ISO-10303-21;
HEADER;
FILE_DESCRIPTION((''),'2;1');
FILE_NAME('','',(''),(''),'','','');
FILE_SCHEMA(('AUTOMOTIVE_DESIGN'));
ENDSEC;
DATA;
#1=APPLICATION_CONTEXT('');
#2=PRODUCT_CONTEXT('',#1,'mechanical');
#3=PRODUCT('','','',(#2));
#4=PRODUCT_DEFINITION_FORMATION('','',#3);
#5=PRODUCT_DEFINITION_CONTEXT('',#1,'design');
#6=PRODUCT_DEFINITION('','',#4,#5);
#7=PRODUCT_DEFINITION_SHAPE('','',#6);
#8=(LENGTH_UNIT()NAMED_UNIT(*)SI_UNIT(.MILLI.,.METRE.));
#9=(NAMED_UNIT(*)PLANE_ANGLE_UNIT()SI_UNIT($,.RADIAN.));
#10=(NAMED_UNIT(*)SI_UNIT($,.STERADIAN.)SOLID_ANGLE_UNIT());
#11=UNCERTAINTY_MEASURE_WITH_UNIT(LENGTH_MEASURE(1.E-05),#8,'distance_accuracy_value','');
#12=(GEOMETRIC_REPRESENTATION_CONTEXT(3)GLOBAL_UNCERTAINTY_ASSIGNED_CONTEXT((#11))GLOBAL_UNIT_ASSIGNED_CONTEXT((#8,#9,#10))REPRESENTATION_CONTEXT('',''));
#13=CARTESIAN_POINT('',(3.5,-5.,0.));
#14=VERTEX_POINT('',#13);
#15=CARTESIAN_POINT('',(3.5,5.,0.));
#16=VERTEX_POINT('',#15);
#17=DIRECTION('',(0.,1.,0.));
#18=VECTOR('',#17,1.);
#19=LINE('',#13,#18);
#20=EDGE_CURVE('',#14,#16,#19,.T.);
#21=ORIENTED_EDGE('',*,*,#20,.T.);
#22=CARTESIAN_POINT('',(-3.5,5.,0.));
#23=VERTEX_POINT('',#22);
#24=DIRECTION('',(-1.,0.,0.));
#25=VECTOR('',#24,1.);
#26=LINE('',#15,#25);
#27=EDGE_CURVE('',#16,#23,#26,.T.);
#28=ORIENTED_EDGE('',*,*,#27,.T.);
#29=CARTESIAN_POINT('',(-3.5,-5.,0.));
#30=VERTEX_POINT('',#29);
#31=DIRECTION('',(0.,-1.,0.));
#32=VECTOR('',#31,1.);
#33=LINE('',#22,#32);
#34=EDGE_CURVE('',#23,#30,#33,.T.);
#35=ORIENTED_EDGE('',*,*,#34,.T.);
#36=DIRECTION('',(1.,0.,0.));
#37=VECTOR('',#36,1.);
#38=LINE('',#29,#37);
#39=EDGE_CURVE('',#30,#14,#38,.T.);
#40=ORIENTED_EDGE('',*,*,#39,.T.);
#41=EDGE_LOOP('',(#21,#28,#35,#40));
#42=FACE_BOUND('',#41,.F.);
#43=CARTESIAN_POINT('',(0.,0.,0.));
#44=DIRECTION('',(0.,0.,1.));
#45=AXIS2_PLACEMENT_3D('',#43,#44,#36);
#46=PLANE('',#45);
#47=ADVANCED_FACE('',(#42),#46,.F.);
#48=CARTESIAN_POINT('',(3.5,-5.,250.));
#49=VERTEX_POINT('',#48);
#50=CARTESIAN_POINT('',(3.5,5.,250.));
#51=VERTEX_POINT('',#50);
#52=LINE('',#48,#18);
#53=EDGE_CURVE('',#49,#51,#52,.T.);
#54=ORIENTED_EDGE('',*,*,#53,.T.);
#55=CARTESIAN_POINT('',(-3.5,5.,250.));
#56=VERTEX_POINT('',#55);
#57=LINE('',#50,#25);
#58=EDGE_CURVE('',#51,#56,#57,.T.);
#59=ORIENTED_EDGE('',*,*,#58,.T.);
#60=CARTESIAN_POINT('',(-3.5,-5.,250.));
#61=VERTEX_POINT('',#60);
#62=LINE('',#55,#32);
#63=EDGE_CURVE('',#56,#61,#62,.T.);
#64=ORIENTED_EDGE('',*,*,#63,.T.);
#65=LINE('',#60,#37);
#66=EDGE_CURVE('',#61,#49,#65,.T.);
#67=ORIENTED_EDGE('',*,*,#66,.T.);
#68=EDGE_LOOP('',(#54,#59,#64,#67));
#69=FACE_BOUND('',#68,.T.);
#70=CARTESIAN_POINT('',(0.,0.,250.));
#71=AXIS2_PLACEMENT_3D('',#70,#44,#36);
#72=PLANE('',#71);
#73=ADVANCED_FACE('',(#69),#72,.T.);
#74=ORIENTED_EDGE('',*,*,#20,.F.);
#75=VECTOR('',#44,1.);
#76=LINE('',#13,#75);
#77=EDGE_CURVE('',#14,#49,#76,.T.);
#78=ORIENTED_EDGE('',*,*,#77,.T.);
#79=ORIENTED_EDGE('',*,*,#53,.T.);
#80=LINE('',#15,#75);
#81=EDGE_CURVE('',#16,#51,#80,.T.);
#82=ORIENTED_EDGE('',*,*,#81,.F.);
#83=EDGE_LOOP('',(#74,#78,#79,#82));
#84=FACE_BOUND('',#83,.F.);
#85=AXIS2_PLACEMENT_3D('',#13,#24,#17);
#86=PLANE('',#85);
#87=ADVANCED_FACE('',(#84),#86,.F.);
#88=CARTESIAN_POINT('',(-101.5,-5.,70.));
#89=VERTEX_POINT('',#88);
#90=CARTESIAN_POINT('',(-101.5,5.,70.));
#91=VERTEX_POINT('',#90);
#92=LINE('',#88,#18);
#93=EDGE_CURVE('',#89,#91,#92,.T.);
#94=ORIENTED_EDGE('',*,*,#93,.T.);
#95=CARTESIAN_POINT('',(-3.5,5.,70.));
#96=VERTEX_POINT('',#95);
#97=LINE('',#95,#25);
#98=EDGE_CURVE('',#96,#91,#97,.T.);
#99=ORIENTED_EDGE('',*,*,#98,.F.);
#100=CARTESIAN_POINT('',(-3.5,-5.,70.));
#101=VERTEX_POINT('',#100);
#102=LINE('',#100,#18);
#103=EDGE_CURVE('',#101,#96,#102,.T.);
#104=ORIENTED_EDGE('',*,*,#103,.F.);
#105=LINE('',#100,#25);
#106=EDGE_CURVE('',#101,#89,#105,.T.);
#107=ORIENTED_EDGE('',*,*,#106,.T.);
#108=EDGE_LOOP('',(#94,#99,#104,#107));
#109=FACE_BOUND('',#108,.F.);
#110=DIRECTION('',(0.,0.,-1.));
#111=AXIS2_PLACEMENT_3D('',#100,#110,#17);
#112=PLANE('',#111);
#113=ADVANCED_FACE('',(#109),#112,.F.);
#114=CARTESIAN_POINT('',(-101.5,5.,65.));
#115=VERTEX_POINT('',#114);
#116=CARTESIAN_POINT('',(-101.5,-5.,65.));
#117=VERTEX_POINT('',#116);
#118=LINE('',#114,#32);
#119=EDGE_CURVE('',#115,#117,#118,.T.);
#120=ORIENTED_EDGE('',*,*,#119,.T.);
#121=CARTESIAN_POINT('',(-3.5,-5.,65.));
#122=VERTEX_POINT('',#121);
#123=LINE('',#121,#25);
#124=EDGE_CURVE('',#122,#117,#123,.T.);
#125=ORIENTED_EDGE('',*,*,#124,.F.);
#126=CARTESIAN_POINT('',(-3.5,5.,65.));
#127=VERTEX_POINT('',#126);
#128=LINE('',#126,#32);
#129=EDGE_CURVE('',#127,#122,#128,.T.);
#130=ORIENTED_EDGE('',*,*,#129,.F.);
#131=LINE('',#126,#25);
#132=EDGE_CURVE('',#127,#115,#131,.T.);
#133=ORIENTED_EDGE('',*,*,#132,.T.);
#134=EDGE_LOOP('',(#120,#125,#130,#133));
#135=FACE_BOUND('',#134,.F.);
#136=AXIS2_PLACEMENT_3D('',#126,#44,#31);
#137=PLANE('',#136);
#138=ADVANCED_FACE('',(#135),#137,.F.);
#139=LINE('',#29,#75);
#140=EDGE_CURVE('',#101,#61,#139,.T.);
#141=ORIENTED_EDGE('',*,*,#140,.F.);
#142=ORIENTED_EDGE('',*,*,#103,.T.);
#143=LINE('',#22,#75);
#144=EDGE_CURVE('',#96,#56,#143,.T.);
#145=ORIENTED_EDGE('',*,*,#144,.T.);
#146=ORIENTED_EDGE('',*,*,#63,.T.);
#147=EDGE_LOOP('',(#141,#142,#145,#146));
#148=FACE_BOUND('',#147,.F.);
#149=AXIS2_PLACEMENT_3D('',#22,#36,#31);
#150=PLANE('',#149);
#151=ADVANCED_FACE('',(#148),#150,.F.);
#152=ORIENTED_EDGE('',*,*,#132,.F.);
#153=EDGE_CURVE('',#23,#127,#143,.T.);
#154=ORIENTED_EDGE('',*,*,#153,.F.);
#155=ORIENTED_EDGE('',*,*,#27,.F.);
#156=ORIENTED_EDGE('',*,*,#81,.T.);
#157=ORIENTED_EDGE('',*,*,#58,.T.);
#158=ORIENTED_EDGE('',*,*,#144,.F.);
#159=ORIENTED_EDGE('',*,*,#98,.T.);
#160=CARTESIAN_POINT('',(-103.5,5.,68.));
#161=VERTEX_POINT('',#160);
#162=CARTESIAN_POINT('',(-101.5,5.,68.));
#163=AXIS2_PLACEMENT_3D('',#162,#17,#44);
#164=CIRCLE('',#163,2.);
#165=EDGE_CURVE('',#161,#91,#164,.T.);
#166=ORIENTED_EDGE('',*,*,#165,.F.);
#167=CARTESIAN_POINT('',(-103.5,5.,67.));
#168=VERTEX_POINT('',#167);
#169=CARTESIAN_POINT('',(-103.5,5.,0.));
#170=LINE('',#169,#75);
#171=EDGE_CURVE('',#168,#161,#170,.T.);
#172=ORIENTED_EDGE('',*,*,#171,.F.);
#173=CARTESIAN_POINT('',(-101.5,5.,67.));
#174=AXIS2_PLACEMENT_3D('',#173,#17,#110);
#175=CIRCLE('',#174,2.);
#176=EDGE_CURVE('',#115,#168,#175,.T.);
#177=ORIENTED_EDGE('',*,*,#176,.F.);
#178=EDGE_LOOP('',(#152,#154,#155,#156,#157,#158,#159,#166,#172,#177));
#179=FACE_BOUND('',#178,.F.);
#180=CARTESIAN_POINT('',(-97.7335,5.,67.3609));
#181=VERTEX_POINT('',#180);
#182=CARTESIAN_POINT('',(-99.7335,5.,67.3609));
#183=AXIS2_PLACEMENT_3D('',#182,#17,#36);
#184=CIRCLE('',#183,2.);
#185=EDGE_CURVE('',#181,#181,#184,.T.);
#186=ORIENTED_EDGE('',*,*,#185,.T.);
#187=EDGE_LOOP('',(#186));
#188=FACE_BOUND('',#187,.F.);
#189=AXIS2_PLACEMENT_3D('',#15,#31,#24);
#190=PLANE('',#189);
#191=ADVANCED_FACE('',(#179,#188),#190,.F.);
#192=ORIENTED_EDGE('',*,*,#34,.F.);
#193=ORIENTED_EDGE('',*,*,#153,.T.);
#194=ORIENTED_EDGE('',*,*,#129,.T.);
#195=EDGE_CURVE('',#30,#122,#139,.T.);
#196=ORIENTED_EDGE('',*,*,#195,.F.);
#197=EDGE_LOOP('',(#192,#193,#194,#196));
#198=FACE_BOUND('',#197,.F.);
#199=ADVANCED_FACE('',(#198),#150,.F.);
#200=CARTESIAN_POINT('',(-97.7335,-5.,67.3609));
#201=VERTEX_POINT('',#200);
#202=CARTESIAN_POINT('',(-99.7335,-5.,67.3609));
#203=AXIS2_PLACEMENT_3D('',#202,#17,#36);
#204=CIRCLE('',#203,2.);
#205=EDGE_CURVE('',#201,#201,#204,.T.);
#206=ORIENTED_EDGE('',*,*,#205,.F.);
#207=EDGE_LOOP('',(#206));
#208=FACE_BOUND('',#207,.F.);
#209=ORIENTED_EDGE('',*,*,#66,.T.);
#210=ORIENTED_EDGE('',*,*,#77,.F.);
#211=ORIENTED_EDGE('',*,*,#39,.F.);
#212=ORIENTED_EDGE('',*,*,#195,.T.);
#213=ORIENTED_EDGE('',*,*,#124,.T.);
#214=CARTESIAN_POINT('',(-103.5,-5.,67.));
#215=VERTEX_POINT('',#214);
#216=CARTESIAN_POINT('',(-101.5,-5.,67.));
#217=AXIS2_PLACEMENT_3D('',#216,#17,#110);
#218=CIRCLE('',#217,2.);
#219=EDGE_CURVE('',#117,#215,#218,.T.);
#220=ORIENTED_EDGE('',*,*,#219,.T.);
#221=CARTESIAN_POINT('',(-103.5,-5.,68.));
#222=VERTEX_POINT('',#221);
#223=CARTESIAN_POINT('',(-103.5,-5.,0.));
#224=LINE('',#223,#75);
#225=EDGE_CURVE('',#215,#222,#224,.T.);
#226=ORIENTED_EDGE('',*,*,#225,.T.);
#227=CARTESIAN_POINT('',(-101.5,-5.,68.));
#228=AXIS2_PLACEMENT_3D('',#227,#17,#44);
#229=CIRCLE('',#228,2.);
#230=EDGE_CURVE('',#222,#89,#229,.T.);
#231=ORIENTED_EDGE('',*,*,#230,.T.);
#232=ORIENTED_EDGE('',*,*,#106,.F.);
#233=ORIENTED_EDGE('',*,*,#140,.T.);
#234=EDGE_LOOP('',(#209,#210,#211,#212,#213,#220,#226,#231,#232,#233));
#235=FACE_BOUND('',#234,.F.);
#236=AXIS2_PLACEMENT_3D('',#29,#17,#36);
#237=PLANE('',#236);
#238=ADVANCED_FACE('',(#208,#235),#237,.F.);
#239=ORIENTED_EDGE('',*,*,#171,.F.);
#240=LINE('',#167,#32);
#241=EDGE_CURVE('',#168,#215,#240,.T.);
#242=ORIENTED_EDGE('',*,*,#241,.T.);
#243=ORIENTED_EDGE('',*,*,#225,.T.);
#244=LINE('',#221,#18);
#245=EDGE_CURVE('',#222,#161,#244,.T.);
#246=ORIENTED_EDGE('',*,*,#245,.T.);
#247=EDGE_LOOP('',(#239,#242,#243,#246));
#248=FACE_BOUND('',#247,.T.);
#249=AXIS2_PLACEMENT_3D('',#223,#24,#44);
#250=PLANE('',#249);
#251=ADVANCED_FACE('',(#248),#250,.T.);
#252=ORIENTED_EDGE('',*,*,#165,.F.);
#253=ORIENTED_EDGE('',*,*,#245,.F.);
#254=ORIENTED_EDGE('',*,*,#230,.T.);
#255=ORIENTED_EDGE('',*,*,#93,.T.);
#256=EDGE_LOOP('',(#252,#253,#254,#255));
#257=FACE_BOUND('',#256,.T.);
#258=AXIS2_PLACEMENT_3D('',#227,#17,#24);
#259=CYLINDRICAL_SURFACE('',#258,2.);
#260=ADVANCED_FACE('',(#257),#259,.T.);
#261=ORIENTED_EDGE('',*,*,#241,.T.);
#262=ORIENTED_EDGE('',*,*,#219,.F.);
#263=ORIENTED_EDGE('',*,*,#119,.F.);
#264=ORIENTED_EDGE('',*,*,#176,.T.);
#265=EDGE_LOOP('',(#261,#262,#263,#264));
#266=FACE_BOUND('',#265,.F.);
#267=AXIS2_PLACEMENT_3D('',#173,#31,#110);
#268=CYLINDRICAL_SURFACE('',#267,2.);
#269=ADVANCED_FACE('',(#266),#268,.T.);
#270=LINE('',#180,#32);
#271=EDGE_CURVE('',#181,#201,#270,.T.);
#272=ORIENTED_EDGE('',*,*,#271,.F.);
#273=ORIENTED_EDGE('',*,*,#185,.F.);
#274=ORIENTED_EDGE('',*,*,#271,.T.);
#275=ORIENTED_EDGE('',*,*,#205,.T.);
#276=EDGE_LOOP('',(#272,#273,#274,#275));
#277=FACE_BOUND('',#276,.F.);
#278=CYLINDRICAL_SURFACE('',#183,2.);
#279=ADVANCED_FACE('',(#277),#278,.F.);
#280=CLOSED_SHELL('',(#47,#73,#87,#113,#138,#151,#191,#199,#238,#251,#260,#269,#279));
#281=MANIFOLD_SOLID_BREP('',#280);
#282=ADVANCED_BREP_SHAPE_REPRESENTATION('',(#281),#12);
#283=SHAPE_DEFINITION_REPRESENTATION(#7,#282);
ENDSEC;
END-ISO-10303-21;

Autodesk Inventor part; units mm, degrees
ref_plane "YZ Plane" through (0, 0, 0) normal (1, 0, 0) x (0, 1, 0)
ref_plane "XZ Plane" through (0, 0, 0) normal (0, 1, 0) x (-1, 0, 0)
ref_plane "XY Plane" through (0, 0, 0) normal (0, 0, 1) x (1, 0, 0)
sketch "Sketch1" plane through (0, 0, 0) normal (0, 0, 1) x (1, 0, 0)
  line L0 (-3.5, -5) -> (3.5, -5)
  line L1 (3.5, -5) -> (3.5, 5)
  line L2 (3.5, 5) -> (-3.5, 5)
  line L3 (-3.5, 5) -> (-3.5, -5)
  line L4 (-3.5, -5) -> (3.5, 5) construction
  line L5 (3.5, -5) -> (-3.5, 5) construction
  point P0 (0, 0)
  dimension "d0" = 7
  dimension "d1" = 10
extrude "Extrusion1" add sketch "Sketch1" along normal blind 250
sketch "Sketch2" plane through (-3.5, -5, 0) normal (-1, 0, 0) x (0, 0, 1)
  line L0 (0, 0) -> (250, 0) projected
  line L1 (0, 10) -> (250, 10) projected
  line L2 (65, 0) -> (70, 0)
  line L3 (70, 0) -> (70, 10)
  line L4 (70, 10) -> (65, 10)
  line L5 (65, 10) -> (65, 0)
  point P0 (0, 5)
  dimension "d4" = 5
  dimension "d5" = 65
extrude "Extrusion2" add sketch "Sketch2" along normal blind 100
fillet "Fillet1" radius 2 2 edges at (-103.5, 0, 65) (-103.5, 0, 70)
sketch "Sketch3" plane through (3.5, 5, 250) normal (0, 1, 0) x (1, 0, 0)
  circle A0 centre (-103.2335, 182.6391) radius 2
  point P0 (-3.5, 250)
  dimension "d9" = 4
extrude "Extrusion3" cut sketch "Sketch3" against normal through all
properties part number "support_rod_right"
